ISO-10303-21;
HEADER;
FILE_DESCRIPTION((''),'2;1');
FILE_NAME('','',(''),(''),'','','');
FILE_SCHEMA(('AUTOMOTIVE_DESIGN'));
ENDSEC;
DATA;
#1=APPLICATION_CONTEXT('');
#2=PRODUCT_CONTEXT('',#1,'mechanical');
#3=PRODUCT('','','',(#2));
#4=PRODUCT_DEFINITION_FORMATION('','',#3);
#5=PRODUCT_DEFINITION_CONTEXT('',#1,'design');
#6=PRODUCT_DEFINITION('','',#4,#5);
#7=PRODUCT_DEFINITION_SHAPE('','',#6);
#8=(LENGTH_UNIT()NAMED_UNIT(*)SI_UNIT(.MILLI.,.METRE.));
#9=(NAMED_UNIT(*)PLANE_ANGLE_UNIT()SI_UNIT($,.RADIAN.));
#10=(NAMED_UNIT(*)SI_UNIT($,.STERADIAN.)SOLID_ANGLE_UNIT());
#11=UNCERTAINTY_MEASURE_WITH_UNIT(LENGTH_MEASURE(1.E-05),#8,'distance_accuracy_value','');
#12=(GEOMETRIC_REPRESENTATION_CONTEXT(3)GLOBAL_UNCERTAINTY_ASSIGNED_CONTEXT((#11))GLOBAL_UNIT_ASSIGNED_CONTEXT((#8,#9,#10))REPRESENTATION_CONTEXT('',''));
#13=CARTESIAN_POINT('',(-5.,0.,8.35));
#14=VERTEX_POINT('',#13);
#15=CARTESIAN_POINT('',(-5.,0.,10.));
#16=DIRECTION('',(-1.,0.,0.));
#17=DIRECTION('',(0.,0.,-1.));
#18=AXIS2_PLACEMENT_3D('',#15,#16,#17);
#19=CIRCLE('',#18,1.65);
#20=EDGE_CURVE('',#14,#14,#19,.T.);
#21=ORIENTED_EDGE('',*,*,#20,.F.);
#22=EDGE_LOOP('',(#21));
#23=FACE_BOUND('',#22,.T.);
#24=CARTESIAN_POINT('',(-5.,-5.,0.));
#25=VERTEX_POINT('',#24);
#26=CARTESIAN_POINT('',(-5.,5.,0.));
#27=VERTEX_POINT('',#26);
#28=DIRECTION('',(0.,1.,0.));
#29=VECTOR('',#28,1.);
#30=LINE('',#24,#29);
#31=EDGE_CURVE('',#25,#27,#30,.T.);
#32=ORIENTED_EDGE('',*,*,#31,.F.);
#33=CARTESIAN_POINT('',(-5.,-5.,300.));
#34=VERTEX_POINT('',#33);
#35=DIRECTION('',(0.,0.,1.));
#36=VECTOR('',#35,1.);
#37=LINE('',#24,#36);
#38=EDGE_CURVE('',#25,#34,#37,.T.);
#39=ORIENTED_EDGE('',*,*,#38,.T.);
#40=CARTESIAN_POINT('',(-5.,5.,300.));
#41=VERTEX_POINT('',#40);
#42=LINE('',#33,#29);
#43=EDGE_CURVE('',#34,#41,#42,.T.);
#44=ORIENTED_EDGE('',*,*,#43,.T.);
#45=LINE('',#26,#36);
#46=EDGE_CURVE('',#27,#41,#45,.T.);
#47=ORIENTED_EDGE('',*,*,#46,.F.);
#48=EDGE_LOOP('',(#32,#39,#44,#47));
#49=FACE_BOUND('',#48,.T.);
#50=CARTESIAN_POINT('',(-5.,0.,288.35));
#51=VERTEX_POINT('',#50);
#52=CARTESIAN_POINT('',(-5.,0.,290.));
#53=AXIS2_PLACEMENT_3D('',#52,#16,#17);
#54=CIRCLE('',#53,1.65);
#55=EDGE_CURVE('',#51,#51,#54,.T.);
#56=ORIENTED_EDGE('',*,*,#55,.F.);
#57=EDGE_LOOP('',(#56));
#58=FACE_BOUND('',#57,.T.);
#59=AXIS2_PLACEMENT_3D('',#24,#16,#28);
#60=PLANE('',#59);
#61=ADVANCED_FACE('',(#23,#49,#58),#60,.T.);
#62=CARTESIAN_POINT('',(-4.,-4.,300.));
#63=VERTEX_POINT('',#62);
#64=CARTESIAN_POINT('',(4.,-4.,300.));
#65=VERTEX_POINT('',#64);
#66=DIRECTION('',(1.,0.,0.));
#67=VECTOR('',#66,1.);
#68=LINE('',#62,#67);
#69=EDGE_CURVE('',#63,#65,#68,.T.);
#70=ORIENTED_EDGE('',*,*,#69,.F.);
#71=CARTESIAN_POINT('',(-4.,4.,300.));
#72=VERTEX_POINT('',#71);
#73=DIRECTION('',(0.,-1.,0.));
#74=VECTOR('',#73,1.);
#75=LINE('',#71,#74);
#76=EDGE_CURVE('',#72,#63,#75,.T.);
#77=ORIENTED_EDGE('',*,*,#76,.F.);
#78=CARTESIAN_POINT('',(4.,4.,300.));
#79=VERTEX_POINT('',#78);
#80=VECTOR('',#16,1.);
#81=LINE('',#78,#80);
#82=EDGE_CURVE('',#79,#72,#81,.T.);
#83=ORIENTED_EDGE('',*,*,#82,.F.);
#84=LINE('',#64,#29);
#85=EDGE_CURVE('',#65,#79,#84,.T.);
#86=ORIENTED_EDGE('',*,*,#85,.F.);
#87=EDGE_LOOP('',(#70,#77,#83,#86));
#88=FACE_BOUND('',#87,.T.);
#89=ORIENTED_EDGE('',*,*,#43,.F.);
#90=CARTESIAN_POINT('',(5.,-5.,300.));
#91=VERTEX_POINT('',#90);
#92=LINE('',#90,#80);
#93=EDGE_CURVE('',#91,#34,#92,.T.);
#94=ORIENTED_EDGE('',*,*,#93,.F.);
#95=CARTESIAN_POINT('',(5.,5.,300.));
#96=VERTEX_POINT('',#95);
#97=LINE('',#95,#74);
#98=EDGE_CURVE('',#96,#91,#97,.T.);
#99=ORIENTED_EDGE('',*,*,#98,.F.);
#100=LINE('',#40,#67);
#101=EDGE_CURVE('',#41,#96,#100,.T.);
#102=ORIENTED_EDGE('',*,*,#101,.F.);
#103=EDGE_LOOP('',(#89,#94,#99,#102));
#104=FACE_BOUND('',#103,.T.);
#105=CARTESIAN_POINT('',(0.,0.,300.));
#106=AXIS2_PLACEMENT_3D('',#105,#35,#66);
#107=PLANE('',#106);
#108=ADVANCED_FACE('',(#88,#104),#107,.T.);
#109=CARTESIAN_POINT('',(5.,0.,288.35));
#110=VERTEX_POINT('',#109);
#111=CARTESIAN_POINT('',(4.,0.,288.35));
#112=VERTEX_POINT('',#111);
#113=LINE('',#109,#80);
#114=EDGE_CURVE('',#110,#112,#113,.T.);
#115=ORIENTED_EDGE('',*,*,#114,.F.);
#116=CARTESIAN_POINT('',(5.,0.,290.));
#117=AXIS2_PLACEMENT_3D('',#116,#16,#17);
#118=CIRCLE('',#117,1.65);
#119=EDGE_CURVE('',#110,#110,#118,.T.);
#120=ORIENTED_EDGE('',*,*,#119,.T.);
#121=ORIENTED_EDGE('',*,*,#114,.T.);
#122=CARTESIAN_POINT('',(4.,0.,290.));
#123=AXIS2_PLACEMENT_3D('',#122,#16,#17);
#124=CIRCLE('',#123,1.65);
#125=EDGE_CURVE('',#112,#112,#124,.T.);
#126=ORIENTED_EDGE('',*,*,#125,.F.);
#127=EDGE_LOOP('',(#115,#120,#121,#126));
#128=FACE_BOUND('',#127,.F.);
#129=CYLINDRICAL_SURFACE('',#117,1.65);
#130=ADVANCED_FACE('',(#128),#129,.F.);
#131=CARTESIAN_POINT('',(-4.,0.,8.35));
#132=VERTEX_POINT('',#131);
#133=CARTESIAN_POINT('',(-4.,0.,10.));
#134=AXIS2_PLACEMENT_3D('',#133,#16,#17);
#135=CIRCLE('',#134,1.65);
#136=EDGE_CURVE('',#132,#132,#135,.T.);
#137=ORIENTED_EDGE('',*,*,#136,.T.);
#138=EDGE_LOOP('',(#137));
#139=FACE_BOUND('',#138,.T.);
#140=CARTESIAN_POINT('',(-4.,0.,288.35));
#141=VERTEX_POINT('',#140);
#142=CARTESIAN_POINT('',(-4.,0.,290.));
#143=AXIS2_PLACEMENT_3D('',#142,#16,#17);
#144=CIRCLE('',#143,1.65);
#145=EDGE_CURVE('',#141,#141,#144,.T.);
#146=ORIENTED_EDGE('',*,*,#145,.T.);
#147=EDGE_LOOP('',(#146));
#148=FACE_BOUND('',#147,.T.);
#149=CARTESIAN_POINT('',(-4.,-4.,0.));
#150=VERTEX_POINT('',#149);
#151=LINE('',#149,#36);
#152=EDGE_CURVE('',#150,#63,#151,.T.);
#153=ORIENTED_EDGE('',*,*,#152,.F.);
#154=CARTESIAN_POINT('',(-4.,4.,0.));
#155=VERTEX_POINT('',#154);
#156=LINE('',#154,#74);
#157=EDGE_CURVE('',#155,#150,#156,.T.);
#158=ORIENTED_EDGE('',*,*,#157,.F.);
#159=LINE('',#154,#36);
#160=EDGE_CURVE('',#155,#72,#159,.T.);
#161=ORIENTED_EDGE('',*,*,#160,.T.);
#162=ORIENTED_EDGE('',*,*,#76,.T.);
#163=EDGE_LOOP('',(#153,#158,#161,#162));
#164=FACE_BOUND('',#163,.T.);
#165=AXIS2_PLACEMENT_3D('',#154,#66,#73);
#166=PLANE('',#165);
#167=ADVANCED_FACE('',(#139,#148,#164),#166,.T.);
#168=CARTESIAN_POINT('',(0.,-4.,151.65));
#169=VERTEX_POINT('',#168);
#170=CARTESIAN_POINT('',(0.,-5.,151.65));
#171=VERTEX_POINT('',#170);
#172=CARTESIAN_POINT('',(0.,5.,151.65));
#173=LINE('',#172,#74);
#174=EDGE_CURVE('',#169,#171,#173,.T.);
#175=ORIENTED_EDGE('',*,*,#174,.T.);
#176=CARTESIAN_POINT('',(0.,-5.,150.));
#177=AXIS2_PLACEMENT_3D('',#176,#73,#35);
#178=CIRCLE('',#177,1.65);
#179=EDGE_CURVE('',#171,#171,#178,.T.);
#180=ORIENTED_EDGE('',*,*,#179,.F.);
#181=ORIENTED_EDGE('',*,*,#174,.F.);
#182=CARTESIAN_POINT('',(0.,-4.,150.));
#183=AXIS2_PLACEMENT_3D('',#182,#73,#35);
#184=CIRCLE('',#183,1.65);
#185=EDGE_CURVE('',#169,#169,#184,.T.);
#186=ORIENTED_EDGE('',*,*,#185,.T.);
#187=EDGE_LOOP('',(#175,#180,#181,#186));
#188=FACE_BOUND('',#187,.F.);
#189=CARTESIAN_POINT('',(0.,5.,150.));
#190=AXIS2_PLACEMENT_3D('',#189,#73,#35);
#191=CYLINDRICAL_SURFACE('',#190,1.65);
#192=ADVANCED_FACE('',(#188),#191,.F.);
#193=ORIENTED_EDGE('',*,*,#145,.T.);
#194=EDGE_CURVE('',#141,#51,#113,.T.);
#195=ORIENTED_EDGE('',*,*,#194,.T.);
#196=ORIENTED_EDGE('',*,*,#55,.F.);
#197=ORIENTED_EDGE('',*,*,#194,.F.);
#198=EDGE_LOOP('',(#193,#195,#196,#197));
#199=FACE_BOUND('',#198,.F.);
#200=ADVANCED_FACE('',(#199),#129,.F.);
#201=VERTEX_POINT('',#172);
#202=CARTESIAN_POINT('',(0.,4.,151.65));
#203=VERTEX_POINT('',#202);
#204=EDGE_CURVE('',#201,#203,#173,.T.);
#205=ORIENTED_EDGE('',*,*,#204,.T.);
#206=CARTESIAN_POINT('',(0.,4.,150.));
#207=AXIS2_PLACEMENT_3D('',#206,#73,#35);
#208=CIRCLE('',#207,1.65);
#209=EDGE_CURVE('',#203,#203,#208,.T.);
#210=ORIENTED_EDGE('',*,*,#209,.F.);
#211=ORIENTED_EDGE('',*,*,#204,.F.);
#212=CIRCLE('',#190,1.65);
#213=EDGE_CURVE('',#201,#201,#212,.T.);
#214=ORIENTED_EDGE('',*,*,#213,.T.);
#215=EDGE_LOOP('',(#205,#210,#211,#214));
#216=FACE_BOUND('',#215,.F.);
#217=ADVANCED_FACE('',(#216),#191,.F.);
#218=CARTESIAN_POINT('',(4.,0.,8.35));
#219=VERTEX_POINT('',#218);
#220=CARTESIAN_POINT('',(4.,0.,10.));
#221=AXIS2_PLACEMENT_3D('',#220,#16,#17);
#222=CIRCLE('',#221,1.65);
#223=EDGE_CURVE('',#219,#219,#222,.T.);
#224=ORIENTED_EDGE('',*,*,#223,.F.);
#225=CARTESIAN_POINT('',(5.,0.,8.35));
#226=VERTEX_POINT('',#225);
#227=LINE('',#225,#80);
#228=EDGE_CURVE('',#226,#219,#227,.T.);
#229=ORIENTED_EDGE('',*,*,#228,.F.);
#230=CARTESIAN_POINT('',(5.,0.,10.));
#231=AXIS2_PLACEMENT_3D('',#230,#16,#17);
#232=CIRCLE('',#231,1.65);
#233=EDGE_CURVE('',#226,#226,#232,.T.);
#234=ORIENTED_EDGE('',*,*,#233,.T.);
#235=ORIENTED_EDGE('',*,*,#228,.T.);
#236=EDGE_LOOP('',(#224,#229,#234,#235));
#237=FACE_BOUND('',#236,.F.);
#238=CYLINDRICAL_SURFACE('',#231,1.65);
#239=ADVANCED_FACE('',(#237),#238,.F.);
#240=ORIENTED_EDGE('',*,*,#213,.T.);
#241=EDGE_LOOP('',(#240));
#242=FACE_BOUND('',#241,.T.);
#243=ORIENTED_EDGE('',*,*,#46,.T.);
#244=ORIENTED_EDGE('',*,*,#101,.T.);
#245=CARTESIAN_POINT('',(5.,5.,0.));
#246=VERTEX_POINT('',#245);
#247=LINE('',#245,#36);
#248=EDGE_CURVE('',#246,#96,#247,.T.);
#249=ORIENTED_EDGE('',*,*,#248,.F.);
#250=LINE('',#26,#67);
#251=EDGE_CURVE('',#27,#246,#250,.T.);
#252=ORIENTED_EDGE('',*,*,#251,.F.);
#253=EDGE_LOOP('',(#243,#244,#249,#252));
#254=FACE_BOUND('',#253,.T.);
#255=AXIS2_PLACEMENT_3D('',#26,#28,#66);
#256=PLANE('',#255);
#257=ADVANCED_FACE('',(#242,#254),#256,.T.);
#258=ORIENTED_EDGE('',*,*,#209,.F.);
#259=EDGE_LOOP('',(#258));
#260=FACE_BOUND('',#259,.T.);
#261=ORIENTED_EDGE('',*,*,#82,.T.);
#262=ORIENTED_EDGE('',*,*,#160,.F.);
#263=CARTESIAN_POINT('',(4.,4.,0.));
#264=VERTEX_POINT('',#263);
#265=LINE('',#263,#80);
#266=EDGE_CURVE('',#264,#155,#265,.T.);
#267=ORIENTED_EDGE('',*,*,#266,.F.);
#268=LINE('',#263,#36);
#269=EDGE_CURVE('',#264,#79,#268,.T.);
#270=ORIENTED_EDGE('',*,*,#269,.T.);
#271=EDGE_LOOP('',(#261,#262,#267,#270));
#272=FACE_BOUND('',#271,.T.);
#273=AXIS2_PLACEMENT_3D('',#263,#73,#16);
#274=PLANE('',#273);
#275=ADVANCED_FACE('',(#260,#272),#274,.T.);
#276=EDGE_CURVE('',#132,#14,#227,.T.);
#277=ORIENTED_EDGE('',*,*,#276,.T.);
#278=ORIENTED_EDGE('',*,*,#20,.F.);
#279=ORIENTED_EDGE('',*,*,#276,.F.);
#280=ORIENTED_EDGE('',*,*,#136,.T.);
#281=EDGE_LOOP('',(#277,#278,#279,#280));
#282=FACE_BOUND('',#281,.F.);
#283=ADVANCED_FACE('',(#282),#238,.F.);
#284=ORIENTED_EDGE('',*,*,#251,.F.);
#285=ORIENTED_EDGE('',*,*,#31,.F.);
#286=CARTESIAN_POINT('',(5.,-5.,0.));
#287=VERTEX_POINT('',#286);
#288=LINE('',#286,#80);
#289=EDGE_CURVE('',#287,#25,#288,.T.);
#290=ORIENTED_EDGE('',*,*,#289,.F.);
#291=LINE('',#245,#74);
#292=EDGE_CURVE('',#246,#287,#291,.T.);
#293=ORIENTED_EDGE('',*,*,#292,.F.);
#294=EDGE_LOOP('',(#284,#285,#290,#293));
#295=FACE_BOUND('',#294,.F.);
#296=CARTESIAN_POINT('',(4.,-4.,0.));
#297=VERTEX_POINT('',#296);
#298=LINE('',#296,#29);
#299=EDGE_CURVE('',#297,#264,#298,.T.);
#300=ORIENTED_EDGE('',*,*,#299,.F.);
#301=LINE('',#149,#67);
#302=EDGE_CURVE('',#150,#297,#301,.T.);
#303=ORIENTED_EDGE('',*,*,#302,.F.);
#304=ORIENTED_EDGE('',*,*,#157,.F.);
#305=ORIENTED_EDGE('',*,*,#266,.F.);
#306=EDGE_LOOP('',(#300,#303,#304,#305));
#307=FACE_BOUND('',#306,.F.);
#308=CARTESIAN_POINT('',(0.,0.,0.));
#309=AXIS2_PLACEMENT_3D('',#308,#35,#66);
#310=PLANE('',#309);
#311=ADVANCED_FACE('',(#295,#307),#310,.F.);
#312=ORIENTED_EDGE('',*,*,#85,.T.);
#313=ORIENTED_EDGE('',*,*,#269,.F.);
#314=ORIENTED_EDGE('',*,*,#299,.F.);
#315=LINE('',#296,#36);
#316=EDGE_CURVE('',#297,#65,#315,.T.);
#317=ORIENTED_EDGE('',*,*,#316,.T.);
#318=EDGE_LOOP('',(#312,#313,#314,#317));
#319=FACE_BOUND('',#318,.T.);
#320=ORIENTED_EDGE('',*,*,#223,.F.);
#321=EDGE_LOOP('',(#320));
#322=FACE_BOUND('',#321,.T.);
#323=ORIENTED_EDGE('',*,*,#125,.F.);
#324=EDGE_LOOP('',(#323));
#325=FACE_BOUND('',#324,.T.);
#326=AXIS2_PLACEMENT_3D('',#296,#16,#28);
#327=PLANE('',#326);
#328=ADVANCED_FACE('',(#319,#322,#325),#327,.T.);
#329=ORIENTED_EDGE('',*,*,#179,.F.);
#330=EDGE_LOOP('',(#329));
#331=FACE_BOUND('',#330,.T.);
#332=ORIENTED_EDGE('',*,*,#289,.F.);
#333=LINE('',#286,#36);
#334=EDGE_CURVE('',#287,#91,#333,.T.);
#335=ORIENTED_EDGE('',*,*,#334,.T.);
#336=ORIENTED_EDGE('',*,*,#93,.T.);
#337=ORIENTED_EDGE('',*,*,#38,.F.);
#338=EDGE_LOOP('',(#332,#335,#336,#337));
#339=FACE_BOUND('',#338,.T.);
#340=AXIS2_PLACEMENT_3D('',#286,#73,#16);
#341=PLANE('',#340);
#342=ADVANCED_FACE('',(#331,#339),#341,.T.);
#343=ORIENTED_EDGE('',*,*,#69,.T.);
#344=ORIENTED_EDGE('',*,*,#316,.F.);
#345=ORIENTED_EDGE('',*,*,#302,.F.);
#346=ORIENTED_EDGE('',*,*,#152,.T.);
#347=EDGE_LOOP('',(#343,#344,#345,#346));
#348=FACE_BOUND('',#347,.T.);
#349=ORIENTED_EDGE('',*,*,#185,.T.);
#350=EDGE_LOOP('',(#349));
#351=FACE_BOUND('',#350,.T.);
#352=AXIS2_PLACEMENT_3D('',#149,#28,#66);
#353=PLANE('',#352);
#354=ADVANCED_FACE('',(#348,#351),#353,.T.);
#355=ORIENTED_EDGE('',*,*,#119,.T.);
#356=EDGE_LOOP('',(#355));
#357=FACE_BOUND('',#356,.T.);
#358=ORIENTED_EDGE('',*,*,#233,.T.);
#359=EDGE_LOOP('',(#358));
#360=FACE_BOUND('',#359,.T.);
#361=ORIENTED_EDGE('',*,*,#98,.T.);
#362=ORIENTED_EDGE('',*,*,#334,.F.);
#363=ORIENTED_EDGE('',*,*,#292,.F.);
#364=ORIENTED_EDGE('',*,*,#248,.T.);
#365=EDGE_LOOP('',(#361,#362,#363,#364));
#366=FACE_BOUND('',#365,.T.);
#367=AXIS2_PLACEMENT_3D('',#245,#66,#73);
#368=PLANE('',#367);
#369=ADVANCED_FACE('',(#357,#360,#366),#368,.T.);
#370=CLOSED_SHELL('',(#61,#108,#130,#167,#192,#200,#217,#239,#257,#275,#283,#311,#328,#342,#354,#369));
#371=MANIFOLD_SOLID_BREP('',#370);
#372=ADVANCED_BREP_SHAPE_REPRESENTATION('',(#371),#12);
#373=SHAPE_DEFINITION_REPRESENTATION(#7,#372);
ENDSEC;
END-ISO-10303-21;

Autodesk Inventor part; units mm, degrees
ref_plane "YZ Plane" through (0, 0, 0) normal (1, 0, 0) x (0, 1, 0)
ref_plane "XZ Plane" through (0, 0, 0) normal (0, 1, 0) x (-1, 0, 0)
ref_plane "XY Plane" through (0, 0, 0) normal (0, 0, 1) x (1, 0, 0)
sketch "スケッチ1" plane through (0, 0, 0) normal (0, 0, 1) x (1, 0, 0)
  line L0 (5, -5) -> (-5, -5)
  line L1 (-5, -5) -> (-5, 5)
  line L2 (-5, 5) -> (5, 5)
  line L3 (5, 5) -> (5, -5)
  line L4 (5, -5) -> (-5, 5) construction
  line L5 (-5, -5) -> (5, 5) construction
  line L6 (4, 4) -> (-4, 4)
  line L7 (-4, 4) -> (-4, -4)
  line L8 (-4, -4) -> (4, -4)
  line L9 (4, -4) -> (4, 4)
  point P0 (0, 0)
  dimension "d0" = 10
  dimension "d1" = 10
  dimension "d2" = 1
extrude "押し出し1" add sketch "スケッチ1" along normal blind 300
sketch "スケッチ2" plane through (5, -5, 0) normal (1, 0, 0) x (0, 0, -1)
  line L0 (0, 0) -> (0, 10) projected
  line L1 (0, 10) -> (-300, 10) projected
  line L2 (-300, 0) -> (-300, 10) projected
  line L3 (0, 0) -> (-300, 0) projected
  line L4 (-300, 5) -> (0, 5)
  point P0 (-290, 5)
  point P1 (-10, 5)
  dimension "d5" = 280
  dimension "d7" = 10
hole "穴1" at (5, 0, 290) at (5, 0, 10) direction (-1, 0, 0) diameter 3.3 end through all
sketch "スケッチ3" plane through (-5, 5, 0) normal (0, 1, 0) x (1, 0, 0)
  line L0 (10, 0) -> (0, 0) projected
  line L1 (0, 0) -> (0, -300) projected
  line L2 (10, -300) -> (0, -300) projected
  line L3 (10, 0) -> (10, -300) projected
  line L4 (5, 0) -> (5, -300)
  point P0 (5, -150)
hole "穴2" at (0, 5, 150) direction (0, -1, 0) diameter 3.3 end through all
properties part number "kaku_1010_300"
